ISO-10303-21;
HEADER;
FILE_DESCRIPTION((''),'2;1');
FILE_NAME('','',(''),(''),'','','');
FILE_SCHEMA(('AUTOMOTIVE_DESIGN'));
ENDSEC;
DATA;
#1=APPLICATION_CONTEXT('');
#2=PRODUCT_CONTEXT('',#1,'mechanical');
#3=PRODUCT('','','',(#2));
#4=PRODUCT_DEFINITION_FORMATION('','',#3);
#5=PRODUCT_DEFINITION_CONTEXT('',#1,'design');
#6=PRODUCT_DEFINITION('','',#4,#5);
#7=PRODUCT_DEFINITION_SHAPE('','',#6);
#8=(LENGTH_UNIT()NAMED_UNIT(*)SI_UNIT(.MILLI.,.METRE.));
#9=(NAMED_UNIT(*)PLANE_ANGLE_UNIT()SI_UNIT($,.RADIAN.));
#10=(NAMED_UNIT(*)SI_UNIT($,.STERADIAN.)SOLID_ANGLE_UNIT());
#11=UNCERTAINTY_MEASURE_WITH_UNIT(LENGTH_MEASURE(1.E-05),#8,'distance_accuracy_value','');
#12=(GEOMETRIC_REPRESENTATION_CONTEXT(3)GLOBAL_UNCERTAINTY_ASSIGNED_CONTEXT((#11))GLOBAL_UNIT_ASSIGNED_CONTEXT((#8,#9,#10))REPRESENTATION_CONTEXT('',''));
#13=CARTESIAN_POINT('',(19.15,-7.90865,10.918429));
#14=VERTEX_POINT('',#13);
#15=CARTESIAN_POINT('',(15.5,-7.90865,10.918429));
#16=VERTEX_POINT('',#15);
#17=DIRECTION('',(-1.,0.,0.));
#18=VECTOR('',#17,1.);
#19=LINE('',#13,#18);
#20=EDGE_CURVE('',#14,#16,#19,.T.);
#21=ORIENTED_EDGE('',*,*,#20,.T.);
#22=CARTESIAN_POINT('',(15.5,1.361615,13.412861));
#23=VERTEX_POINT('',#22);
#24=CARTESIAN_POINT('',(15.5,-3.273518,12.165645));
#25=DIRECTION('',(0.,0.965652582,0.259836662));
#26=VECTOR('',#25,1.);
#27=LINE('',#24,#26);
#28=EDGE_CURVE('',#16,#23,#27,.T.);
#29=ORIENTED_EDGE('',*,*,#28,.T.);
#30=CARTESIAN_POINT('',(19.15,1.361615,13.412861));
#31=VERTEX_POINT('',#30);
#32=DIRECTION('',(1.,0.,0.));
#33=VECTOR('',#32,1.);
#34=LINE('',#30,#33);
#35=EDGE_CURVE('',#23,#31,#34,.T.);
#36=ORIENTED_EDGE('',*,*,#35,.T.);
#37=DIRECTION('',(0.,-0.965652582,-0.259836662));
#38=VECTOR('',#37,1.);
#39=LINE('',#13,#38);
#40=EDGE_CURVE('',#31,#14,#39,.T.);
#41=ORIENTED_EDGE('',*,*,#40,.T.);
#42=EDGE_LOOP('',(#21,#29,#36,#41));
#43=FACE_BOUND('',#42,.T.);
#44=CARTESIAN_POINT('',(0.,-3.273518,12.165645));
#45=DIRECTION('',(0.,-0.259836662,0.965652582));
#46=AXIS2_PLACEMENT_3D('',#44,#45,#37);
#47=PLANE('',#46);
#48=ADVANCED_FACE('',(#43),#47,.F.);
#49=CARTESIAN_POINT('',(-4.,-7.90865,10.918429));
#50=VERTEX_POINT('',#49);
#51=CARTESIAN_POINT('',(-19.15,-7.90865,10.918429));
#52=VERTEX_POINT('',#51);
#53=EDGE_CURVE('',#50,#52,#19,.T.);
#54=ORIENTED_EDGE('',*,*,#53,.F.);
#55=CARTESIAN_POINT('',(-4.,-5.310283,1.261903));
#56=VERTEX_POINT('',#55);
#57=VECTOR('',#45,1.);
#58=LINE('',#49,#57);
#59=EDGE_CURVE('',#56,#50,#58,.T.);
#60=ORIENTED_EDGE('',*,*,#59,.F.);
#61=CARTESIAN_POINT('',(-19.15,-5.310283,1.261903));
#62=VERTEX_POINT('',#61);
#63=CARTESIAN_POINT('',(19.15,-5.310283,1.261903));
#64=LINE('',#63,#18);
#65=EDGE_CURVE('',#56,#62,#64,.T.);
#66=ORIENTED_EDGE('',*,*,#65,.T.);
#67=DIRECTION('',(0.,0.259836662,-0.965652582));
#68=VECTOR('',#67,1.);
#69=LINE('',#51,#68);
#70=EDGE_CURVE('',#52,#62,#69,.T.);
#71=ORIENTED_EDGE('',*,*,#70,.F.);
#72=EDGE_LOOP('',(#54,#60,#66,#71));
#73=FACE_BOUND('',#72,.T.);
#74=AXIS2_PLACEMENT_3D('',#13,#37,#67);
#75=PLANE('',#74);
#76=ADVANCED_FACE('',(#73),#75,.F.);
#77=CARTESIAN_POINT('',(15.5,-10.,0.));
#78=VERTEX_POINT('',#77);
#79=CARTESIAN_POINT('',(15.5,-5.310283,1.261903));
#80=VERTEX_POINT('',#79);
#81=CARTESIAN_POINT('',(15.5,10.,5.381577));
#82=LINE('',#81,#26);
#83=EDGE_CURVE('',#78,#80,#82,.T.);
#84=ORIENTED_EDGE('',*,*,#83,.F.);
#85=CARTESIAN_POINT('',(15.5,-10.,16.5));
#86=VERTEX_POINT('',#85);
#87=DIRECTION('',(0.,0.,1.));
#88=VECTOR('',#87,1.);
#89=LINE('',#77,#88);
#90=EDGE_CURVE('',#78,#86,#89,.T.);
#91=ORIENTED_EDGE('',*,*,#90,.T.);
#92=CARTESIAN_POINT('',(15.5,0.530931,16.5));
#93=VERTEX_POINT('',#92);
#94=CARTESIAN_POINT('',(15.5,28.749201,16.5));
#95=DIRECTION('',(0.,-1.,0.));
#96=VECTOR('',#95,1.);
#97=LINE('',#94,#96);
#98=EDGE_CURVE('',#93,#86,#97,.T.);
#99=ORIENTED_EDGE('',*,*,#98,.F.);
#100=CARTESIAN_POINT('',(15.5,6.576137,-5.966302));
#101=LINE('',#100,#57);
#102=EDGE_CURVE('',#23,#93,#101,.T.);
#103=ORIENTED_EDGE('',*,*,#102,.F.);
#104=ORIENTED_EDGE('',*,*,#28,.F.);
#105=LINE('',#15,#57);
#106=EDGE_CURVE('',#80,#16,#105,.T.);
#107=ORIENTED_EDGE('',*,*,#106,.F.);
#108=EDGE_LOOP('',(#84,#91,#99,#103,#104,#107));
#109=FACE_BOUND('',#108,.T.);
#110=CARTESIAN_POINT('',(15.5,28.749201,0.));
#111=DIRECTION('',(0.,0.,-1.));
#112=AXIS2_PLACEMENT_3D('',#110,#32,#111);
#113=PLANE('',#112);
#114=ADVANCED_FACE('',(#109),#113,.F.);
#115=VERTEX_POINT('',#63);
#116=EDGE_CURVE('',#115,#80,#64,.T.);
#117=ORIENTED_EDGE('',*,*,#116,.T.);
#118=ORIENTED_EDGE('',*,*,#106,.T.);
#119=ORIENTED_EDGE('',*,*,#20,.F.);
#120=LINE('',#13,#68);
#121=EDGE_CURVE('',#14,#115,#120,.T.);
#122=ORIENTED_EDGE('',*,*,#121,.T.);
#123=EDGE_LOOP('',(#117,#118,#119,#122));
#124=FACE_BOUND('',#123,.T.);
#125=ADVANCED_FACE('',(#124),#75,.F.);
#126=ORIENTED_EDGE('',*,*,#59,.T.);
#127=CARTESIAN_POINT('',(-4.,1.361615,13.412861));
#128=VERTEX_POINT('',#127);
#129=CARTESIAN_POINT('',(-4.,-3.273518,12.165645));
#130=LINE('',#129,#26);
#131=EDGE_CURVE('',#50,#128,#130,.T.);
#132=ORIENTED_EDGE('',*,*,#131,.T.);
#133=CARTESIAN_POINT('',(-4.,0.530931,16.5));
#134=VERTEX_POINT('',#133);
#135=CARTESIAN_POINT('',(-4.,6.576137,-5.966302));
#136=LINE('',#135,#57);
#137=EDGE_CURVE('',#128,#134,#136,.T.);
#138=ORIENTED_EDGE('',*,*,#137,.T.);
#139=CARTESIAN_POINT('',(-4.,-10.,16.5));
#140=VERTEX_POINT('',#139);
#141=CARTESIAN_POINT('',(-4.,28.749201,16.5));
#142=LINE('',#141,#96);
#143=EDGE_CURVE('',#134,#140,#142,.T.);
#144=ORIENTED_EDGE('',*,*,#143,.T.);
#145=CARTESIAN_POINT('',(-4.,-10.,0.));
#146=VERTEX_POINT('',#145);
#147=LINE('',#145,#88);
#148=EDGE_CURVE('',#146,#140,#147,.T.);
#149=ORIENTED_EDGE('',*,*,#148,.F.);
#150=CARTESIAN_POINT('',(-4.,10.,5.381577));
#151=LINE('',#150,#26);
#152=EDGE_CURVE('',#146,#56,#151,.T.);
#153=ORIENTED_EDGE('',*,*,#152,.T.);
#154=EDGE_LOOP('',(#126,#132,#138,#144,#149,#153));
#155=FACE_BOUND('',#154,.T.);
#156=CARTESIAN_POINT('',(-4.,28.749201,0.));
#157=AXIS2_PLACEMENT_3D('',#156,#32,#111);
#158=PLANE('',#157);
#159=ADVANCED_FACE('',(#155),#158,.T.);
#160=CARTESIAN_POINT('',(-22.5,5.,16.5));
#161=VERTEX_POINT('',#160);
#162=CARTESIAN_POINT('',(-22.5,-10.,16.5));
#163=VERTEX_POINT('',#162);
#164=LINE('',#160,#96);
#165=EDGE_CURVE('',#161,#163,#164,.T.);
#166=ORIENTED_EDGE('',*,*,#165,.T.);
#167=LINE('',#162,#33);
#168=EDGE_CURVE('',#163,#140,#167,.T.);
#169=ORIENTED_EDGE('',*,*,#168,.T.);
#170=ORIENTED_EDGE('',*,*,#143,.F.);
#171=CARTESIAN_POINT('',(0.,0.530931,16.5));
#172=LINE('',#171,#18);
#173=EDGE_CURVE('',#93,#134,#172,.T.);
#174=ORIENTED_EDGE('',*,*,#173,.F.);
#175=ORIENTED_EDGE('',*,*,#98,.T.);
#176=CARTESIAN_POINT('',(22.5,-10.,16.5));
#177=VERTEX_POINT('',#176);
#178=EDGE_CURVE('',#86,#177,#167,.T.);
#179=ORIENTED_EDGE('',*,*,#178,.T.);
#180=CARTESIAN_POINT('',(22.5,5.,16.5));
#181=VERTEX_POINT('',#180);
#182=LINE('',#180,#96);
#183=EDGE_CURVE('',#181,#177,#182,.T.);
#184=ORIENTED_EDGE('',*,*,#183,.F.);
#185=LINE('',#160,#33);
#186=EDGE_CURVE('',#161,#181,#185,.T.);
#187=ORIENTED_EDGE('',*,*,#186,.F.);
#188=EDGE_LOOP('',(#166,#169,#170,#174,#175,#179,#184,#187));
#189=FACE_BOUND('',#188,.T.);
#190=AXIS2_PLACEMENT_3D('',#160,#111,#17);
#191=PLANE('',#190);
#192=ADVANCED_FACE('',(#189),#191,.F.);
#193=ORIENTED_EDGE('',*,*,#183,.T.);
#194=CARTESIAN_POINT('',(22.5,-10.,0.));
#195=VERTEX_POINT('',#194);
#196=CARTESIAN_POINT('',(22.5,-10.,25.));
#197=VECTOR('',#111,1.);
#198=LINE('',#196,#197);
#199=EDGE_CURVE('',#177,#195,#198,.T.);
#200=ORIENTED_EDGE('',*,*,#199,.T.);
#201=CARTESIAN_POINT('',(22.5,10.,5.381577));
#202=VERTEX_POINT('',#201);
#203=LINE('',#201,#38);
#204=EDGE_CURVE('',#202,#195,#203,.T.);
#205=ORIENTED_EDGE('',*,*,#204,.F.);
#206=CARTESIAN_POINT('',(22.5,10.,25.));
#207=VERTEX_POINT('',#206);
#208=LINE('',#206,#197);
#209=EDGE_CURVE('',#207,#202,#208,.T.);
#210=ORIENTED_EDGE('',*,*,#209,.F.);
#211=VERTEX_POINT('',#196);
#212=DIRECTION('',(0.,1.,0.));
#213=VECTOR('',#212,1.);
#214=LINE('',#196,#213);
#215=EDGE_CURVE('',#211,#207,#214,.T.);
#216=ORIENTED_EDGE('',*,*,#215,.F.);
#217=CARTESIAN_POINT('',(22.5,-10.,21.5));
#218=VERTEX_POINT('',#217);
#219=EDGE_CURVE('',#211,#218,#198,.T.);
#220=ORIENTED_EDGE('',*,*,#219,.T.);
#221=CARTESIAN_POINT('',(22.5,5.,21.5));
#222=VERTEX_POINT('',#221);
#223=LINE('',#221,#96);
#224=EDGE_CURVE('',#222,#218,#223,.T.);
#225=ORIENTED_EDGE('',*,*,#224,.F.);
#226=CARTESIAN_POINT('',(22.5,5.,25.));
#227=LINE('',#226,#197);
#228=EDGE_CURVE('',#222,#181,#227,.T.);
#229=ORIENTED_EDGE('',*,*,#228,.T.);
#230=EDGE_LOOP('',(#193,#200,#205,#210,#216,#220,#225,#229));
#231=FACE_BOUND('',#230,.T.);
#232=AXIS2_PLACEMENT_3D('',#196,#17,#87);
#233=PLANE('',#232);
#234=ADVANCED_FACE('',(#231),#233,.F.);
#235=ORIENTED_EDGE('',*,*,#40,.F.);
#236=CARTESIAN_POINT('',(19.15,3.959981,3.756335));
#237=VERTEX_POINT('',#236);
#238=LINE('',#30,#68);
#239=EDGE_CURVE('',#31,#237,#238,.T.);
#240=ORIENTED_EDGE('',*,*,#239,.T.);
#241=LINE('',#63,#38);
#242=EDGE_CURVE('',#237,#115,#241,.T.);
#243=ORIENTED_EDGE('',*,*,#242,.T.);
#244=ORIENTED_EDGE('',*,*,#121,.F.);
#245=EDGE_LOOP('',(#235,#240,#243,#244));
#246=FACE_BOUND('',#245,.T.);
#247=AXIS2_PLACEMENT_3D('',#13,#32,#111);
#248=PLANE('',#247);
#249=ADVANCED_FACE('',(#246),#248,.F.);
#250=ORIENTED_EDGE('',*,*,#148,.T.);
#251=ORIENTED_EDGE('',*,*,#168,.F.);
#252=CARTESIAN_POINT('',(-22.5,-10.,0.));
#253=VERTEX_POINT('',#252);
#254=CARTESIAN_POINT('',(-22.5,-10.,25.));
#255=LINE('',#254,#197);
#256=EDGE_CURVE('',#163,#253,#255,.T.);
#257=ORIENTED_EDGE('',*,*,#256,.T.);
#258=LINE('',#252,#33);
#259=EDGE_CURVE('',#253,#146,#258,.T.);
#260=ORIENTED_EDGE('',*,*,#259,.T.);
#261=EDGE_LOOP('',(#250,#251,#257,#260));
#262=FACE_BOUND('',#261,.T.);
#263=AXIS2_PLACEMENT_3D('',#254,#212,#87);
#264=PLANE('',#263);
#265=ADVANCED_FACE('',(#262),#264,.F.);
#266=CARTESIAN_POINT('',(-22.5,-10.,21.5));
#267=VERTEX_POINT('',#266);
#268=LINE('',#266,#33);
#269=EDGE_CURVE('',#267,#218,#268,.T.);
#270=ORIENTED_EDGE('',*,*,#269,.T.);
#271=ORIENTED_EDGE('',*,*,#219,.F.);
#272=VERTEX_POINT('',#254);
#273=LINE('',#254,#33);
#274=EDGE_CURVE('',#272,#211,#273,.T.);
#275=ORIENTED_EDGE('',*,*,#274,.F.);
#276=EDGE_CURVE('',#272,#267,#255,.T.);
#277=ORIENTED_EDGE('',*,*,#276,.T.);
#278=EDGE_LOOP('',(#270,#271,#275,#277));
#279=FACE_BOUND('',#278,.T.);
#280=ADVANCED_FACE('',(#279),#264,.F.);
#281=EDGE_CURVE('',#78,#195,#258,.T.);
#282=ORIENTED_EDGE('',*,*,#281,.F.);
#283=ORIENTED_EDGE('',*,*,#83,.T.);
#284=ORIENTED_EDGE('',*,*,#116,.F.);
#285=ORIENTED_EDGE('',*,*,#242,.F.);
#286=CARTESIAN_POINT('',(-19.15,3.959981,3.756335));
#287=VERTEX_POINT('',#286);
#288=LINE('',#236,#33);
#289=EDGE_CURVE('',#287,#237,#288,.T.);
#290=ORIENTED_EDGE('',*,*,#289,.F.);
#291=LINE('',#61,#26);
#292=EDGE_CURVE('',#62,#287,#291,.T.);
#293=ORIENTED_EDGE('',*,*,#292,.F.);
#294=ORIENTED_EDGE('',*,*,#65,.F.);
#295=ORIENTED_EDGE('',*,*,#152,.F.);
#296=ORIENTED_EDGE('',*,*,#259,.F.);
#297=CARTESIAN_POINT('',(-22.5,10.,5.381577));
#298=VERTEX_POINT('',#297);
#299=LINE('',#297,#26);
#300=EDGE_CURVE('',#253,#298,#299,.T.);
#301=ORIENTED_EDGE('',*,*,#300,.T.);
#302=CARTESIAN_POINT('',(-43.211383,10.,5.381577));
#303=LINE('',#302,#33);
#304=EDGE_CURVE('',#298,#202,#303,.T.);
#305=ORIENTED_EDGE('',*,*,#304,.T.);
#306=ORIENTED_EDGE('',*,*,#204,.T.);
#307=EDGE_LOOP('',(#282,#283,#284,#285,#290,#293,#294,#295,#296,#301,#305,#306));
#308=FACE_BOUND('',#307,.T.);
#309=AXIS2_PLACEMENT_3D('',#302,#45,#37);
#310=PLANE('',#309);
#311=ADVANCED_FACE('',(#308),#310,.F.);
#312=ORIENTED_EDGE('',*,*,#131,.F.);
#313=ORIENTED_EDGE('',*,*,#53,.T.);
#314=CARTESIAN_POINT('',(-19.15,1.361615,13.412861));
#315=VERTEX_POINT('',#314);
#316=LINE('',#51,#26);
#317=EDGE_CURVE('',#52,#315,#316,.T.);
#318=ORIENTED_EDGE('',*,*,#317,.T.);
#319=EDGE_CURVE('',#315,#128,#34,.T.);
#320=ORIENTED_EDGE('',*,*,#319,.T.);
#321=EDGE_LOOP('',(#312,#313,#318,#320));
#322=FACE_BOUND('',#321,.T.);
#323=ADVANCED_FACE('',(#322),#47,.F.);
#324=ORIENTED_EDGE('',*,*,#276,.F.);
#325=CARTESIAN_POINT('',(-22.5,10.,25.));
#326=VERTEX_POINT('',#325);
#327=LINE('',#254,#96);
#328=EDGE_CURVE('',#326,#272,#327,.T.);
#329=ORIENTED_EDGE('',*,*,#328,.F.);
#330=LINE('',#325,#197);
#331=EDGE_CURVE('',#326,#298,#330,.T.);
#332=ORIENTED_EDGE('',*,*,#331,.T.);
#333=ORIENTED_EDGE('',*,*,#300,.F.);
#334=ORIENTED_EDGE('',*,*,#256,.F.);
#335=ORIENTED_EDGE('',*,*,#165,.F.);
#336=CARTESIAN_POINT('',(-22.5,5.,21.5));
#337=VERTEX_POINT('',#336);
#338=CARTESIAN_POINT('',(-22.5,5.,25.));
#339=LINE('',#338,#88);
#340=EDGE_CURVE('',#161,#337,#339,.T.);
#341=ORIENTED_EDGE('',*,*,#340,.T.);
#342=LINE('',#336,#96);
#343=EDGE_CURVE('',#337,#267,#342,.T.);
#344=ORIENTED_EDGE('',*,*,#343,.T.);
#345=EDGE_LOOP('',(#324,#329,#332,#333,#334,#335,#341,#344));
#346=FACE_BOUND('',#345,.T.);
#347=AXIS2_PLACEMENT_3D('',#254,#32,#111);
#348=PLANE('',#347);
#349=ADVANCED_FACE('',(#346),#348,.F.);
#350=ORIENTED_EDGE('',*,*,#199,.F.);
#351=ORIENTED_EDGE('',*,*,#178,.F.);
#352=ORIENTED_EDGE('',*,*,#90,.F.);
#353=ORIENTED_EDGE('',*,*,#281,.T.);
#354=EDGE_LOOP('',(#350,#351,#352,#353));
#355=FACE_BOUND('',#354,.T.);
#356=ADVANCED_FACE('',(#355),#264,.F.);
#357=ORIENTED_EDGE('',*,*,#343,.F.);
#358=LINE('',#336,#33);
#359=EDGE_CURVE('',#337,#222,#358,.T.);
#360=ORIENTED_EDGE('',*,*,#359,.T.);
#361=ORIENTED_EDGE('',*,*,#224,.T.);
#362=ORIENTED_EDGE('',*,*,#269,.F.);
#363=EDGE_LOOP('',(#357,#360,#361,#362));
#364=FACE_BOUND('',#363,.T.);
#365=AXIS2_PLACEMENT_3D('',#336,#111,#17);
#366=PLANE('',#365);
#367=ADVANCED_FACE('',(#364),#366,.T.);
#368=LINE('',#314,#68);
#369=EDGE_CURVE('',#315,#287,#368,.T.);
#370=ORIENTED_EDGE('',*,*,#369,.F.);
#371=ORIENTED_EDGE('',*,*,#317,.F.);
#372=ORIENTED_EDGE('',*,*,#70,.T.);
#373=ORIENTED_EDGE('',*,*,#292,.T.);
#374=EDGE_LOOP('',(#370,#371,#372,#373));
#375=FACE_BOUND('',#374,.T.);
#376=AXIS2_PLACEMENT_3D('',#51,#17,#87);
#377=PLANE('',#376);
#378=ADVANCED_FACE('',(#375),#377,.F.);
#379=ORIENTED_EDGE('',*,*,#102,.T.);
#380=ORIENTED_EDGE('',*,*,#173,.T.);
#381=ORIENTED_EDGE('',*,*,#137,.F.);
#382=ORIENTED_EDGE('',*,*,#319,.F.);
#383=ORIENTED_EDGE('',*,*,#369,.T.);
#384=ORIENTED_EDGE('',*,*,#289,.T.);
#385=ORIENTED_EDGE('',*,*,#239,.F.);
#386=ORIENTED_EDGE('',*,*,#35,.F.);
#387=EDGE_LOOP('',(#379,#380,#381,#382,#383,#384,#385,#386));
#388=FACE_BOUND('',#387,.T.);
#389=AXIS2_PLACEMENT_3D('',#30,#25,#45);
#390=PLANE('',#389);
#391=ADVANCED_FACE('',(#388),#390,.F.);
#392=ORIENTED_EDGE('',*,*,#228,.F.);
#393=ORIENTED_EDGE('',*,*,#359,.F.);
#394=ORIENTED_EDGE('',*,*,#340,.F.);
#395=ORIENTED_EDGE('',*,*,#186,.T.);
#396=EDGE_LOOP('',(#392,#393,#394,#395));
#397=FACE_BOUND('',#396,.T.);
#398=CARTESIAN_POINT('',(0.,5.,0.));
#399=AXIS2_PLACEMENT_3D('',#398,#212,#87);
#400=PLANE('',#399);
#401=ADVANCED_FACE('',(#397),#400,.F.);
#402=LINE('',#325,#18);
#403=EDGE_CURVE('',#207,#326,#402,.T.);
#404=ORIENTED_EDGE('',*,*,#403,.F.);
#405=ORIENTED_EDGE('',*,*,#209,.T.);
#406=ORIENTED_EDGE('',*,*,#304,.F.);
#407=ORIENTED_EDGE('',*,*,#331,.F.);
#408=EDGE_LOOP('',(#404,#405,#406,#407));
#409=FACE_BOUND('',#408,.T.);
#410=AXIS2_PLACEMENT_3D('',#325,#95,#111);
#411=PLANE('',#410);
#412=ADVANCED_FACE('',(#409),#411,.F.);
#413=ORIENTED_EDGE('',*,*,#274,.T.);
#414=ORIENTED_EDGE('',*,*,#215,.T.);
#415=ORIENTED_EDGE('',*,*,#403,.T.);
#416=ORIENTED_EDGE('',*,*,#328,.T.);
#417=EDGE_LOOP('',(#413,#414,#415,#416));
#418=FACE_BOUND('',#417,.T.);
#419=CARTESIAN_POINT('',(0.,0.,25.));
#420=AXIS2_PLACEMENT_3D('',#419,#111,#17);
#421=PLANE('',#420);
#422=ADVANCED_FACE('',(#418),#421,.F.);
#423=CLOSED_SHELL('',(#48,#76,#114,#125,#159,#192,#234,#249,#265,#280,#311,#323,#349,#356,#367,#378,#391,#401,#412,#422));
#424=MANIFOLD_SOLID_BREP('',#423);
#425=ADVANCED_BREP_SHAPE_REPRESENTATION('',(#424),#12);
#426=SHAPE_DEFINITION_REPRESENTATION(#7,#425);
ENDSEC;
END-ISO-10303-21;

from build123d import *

# Parameters (mm, degrees)
SKETCH2_W           = 45
SKETCH2_H           = 20
BOSS_EXTRUDE1_DEPTH = 25
CUT_EXTRUDE1_START  = -20
SKETCH5_W           = 45
SKETCH5_H           = 5
CUT_EXTRUDE1_DEPTH  = 15
CUT_EXTRUDE2_DEPTH  = 45
SKETCH8_W           = 38.3
SKETCH8_H           = 9.6
CUT_EXTRUDE3_DEPTH  = 10
CUT_EXTRUDE4_REACH  = 41.131
SKETCH9_W           = 19.5
SKETCH9_H           = 16.5


with BuildPart() as part:
    # Sketch2 → Boss-Extrude1 (new body)
    with BuildSketch(Plane.XY):
        Rectangle(SKETCH2_W, SKETCH2_H)
    extrude(amount=BOSS_EXTRUDE1_DEPTH)

    # Sketch5 → Cut-Extrude1 (cut)
    with BuildSketch(Plane(origin=(0, 10, 0), x_dir=(1, 0, 0), z_dir=(0, 1, 0)).offset(CUT_EXTRUDE1_START)):
        with Locations((0, -19)):
            Rectangle(SKETCH5_W, SKETCH5_H)
    extrude(amount=CUT_EXTRUDE1_DEPTH, mode=Mode.SUBTRACT)

    # Sketch7 → Cut-Extrude2 (cut)
    with BuildSketch(Plane(origin=(22.5, 0, 0), x_dir=(0, 0, -1), z_dir=(1, 0, 0))):
        Polygon((0, -10), (0, 10), (-5.381576505, 10), align=None)
    extrude(amount=-CUT_EXTRUDE2_DEPTH, mode=Mode.SUBTRACT)

    # Sketch8 → Cut-Extrude3 (cut)
    with BuildSketch(Plane(origin=(0, -0.675150911, 2.509119438), x_dir=(-1, 0, 0), z_dir=(0, 0.25983666232132585, -0.9656525818914965))):
        Rectangle(SKETCH8_W, SKETCH8_H)
    extrude(amount=-CUT_EXTRUDE3_DEPTH, mode=Mode.SUBTRACT)

    # Cut-Extrude4: up to this plane
    cut_extrude4_end = Plane(origin=(19.15, 1.361614859, 13.412861236), z_dir=(0, 0.9656525818914965, 0.25983666232132585))
    # Sketch9 → Cut-Extrude4 (cut, up to the surface)
    with BuildSketch(Plane.XZ.offset(10), mode=Mode.PRIVATE) as cut_extrude4_sk1:
        with Locations((5.75, 8.25)):
            Rectangle(SKETCH9_W, SKETCH9_H)
    cut_extrude4_tool1 = split(extrude(cut_extrude4_sk1.sketch, amount=-CUT_EXTRUDE4_REACH, mode=Mode.PRIVATE), bisect_by=cut_extrude4_end, keep=Keep.BOTH, mode=Mode.PRIVATE)
    add(cut_extrude4_tool1.solids().sort_by_distance((5.75, -10, 8.25))[0], mode=Mode.SUBTRACT)


solid = part.part
